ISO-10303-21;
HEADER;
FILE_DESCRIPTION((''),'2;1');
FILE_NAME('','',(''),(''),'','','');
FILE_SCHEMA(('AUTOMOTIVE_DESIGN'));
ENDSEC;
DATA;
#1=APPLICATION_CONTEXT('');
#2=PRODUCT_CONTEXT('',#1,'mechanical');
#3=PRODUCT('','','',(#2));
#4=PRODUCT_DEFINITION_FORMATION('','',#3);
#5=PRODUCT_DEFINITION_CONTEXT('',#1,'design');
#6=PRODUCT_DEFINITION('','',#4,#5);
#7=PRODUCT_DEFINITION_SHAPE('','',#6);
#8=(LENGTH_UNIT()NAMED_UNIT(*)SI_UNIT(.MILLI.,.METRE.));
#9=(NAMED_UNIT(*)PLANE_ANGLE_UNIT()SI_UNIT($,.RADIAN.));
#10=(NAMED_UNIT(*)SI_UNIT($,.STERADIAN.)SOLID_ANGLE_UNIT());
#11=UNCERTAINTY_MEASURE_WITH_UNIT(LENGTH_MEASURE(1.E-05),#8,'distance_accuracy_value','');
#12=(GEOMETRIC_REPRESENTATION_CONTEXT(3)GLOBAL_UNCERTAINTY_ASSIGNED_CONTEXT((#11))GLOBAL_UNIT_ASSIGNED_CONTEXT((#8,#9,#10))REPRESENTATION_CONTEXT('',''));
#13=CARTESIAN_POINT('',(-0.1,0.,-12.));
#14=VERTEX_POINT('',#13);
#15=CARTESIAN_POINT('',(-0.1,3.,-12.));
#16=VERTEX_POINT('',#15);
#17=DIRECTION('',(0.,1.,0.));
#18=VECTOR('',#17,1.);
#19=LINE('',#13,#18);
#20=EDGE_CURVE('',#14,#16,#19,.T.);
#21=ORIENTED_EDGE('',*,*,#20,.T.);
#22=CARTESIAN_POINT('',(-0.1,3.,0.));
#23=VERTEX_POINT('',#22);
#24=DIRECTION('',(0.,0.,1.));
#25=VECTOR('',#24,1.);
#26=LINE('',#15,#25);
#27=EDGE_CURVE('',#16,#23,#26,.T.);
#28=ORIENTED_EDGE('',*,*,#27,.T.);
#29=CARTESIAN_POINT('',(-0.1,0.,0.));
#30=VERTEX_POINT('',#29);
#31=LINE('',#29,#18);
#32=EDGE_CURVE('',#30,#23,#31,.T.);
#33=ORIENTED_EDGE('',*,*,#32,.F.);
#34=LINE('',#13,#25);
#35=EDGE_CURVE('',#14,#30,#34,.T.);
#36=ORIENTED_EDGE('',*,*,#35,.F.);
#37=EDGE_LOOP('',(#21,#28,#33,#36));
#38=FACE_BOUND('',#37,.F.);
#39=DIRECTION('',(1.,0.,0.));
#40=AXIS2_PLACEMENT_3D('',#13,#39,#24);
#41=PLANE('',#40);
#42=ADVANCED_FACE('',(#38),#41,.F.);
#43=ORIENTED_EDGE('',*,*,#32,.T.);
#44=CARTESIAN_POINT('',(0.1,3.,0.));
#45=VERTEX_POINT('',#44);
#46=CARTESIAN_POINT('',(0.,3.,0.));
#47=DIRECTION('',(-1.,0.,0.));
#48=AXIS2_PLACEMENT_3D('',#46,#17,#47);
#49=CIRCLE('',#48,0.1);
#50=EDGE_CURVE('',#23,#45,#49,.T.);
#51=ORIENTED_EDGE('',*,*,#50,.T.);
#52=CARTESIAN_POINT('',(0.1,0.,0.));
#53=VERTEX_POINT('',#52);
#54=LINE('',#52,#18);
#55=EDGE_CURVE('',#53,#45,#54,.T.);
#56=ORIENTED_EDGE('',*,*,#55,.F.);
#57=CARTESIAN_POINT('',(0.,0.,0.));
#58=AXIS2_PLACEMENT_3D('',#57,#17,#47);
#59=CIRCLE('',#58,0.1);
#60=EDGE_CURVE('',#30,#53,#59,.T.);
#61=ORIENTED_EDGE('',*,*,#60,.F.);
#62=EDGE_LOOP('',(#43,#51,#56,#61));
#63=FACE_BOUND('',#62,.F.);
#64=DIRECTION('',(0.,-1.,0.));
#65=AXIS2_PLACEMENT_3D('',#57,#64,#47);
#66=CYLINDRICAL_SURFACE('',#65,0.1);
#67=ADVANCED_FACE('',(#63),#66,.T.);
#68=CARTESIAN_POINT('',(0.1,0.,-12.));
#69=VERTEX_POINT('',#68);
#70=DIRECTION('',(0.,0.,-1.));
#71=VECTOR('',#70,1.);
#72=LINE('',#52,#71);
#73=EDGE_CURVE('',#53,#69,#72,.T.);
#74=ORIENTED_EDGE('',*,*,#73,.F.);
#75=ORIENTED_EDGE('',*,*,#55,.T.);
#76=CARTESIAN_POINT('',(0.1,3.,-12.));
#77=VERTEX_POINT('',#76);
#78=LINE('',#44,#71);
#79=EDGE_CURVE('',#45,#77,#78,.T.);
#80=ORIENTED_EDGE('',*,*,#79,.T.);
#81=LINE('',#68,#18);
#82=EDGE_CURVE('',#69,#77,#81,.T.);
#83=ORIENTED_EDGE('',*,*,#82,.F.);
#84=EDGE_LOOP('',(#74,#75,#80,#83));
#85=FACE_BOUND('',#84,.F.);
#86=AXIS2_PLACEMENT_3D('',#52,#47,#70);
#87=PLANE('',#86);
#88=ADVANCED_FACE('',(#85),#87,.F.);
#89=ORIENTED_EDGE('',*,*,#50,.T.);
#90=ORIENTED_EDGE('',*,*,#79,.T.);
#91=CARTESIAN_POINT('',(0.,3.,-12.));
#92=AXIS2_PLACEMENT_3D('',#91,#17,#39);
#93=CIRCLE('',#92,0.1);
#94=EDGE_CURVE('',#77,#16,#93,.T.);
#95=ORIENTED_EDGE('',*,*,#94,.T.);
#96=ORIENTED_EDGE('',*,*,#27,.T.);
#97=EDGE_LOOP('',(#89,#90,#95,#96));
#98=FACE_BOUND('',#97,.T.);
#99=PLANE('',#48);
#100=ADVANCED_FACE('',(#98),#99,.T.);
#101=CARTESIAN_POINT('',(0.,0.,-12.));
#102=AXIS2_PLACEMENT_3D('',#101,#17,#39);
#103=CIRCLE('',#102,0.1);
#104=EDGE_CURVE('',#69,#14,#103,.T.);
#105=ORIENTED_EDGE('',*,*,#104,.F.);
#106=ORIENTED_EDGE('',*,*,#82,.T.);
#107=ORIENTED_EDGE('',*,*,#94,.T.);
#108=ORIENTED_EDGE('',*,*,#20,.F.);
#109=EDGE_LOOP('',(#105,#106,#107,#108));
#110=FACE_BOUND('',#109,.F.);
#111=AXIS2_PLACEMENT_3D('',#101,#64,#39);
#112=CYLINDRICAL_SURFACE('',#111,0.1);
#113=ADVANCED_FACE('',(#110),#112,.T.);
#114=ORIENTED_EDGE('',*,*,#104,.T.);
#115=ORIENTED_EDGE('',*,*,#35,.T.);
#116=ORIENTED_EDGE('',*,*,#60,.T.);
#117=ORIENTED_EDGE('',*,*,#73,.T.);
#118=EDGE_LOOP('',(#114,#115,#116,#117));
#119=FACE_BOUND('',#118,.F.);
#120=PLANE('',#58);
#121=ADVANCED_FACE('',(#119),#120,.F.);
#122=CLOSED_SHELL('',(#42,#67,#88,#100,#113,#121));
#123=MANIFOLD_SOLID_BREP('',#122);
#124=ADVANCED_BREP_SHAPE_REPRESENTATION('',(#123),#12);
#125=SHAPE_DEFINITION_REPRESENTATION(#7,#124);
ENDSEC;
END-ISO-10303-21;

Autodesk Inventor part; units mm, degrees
ref_plane "YZ Plane" through (0, 0, 0) normal (1, 0, 0) x (0, 1, 0)
ref_plane "XZ Plane" through (0, 0, 0) normal (0, 1, 0) x (-1, 0, 0)
ref_plane "XY Plane" through (0, 0, 0) normal (0, 0, 1) x (1, 0, 0)
sketch "Sketch1" plane through (0, 0, 0) normal (0, 1, 0) x (-1, 0, 0)
  line L0 (0, 0) -> (0, -12) construction
  line L1 (-0.1, 0) -> (-0.1, -12)
  line L2 (0.1, -12) -> (0.1, 0)
  arc A0 (0.1, 0) -> (-0.1, 0) centre (0, 0) ccw
  arc A1 (-0.1, -12) -> (0.1, -12) centre (0, -12) ccw
  point P0 (0, -6)
  dimension "d0" = 12
  dimension "d1" = 0.2
extrude "Extrusion1" add sketch "Sketch1" along normal blind 3
properties part number "fin_12mm"
